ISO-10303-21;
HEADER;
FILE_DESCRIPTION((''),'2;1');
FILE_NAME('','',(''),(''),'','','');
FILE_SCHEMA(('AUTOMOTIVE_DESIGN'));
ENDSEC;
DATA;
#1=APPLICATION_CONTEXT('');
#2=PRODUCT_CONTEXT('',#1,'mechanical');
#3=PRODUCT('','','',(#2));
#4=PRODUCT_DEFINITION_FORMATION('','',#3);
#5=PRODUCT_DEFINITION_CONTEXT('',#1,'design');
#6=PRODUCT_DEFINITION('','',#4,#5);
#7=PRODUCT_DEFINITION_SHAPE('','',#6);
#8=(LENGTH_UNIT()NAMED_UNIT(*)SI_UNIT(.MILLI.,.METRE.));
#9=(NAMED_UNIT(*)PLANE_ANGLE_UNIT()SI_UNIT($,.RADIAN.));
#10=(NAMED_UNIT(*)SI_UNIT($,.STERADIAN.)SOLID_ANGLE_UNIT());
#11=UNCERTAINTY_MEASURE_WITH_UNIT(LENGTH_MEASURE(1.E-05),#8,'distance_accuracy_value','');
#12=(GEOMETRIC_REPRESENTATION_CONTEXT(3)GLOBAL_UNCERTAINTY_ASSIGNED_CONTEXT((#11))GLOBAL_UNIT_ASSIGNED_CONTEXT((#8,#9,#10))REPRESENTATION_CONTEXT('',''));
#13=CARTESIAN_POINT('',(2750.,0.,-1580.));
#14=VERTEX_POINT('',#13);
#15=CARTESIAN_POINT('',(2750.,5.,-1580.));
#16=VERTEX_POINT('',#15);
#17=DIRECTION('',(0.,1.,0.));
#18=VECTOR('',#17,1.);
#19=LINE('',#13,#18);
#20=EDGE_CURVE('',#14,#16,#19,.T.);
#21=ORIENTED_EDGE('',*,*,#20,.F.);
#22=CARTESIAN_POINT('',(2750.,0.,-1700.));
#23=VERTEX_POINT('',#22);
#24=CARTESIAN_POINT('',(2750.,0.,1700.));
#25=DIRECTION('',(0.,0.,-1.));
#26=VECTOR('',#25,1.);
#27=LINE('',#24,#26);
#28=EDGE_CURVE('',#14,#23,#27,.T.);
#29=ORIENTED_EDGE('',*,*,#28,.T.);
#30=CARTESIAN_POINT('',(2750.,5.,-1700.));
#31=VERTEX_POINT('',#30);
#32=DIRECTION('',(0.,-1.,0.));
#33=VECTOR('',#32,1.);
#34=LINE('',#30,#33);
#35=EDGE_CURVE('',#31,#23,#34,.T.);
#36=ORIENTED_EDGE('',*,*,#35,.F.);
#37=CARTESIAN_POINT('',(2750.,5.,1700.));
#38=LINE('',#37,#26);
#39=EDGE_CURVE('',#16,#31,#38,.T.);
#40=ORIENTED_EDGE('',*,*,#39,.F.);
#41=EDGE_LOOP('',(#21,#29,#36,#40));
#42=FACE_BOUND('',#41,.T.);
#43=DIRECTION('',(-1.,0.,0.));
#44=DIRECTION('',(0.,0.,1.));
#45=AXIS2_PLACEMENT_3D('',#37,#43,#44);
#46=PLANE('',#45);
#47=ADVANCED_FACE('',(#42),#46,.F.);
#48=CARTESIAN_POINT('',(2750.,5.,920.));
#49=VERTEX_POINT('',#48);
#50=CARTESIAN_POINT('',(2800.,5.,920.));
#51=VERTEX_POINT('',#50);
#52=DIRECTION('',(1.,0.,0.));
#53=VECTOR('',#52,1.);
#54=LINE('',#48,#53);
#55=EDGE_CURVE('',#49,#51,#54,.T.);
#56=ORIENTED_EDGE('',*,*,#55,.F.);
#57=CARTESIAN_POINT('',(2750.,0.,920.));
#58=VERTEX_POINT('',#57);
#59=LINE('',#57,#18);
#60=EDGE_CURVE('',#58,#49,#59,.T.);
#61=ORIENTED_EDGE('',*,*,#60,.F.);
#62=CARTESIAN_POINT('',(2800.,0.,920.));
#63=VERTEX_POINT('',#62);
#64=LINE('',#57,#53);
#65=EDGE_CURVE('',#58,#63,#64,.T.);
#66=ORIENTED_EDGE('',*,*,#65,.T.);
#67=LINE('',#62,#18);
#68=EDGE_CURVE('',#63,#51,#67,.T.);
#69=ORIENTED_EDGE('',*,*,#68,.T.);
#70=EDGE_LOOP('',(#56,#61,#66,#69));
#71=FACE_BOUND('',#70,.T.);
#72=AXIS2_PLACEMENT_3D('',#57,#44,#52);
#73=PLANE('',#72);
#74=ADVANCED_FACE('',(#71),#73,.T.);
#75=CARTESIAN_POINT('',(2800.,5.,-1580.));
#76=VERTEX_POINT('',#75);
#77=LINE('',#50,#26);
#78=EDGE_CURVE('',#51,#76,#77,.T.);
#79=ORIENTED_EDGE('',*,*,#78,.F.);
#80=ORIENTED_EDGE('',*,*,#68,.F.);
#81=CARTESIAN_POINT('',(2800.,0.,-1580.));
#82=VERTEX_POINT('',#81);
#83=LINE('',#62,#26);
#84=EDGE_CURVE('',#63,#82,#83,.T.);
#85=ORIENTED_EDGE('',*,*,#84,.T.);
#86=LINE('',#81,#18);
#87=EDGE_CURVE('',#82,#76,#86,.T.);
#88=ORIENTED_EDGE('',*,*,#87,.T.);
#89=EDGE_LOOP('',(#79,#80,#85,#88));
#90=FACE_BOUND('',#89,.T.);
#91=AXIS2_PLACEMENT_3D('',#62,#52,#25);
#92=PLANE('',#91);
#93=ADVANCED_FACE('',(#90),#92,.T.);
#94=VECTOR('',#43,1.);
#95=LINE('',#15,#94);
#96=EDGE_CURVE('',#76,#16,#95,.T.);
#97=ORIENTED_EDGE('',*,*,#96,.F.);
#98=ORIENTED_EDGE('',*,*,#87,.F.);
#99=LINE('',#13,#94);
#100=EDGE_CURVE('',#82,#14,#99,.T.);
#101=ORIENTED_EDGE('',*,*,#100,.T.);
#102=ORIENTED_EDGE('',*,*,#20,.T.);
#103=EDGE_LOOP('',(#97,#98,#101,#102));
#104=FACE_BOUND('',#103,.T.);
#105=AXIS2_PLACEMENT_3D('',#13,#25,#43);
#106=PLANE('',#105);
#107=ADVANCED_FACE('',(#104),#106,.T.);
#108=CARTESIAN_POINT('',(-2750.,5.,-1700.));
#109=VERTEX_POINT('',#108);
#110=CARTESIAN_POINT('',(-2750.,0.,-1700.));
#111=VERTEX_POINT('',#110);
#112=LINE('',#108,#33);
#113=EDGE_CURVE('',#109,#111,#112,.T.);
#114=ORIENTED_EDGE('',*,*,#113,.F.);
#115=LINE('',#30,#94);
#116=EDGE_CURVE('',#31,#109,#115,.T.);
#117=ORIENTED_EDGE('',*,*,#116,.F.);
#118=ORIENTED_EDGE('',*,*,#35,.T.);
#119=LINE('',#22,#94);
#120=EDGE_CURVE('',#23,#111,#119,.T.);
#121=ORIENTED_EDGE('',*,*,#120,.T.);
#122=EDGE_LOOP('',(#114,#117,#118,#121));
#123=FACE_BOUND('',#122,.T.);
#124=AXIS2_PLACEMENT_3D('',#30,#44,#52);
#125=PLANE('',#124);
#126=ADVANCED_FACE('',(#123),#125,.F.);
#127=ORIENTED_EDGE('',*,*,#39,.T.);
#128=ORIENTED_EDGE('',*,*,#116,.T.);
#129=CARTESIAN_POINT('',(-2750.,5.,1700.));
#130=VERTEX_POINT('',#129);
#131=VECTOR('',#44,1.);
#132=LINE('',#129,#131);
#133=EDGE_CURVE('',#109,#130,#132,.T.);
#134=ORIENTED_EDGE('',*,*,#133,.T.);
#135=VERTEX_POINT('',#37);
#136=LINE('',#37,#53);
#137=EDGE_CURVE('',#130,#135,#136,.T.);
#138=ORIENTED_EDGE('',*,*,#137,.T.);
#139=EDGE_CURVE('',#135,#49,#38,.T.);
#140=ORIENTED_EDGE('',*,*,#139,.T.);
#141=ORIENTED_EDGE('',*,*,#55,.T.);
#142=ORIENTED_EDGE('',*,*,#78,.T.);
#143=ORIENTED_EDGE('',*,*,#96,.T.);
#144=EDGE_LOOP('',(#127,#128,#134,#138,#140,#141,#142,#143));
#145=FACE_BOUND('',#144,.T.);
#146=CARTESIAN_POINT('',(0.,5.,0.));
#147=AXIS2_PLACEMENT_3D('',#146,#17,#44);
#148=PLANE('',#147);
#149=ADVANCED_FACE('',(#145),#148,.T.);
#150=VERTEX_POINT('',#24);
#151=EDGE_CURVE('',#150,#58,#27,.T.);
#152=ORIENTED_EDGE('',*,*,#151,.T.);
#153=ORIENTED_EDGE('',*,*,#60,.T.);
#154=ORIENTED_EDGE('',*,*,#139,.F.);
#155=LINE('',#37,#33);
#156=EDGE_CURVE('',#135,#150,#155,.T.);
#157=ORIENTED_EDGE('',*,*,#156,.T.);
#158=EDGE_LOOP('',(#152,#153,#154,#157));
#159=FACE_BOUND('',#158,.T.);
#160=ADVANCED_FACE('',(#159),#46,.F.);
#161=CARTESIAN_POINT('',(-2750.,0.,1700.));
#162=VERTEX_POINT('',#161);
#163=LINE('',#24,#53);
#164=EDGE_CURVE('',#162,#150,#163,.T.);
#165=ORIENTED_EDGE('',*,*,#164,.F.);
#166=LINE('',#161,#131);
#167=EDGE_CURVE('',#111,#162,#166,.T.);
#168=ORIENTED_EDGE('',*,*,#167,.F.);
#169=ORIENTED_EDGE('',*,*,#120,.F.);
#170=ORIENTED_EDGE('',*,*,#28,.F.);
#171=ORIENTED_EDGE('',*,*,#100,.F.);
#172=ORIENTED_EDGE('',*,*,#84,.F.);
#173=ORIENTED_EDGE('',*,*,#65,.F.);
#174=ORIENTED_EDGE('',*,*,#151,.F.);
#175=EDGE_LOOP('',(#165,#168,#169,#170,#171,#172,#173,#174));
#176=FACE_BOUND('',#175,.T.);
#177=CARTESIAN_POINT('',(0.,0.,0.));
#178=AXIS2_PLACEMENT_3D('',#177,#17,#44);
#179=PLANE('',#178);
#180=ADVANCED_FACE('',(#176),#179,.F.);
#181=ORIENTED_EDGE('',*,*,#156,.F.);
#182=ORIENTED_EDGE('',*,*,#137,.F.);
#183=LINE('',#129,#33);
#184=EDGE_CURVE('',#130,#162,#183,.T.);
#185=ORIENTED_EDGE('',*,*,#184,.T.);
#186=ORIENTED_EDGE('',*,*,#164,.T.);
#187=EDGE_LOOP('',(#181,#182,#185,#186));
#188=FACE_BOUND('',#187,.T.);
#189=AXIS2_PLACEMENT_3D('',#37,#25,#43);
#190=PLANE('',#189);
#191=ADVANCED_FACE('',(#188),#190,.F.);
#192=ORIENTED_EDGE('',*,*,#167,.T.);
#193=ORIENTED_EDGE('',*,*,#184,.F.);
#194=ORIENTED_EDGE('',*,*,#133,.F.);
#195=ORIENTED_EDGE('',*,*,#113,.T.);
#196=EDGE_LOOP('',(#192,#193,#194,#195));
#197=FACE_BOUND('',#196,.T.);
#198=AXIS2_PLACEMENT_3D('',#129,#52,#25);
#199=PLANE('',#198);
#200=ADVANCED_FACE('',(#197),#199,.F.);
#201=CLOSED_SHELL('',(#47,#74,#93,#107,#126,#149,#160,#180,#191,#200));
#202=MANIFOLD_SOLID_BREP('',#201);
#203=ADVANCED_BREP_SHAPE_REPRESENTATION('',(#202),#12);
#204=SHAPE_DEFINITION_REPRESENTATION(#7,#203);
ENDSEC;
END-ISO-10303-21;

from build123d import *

# Parameters (mm, degrees)
SKETCH2_W           = 5500
SKETCH2_H           = 3400
BOSS_EXTRUDE1_DEPTH = 5
SKETCH3_W           = 50
SKETCH3_H           = 2500
BOSS_EXTRUDE2_DEPTH = 5


with BuildPart() as part:
    # Sketch2 → Boss-Extrude1 (new body)
    with BuildSketch(Plane(origin=(0, 0, 0), x_dir=(1, 0, 0), z_dir=(0, 1, 0))):
        Rectangle(SKETCH2_W, SKETCH2_H)
    extrude(amount=BOSS_EXTRUDE1_DEPTH)

    # Sketch3 → Boss-Extrude2 (add)
    with BuildSketch(Plane(origin=(0, 5, 0), x_dir=(1, 0, 0), z_dir=(0, 1, 0))):
        with Locations((2775, 330)):
            Rectangle(SKETCH3_W, SKETCH3_H)
    extrude(amount=-BOSS_EXTRUDE2_DEPTH)


solid = part.part
